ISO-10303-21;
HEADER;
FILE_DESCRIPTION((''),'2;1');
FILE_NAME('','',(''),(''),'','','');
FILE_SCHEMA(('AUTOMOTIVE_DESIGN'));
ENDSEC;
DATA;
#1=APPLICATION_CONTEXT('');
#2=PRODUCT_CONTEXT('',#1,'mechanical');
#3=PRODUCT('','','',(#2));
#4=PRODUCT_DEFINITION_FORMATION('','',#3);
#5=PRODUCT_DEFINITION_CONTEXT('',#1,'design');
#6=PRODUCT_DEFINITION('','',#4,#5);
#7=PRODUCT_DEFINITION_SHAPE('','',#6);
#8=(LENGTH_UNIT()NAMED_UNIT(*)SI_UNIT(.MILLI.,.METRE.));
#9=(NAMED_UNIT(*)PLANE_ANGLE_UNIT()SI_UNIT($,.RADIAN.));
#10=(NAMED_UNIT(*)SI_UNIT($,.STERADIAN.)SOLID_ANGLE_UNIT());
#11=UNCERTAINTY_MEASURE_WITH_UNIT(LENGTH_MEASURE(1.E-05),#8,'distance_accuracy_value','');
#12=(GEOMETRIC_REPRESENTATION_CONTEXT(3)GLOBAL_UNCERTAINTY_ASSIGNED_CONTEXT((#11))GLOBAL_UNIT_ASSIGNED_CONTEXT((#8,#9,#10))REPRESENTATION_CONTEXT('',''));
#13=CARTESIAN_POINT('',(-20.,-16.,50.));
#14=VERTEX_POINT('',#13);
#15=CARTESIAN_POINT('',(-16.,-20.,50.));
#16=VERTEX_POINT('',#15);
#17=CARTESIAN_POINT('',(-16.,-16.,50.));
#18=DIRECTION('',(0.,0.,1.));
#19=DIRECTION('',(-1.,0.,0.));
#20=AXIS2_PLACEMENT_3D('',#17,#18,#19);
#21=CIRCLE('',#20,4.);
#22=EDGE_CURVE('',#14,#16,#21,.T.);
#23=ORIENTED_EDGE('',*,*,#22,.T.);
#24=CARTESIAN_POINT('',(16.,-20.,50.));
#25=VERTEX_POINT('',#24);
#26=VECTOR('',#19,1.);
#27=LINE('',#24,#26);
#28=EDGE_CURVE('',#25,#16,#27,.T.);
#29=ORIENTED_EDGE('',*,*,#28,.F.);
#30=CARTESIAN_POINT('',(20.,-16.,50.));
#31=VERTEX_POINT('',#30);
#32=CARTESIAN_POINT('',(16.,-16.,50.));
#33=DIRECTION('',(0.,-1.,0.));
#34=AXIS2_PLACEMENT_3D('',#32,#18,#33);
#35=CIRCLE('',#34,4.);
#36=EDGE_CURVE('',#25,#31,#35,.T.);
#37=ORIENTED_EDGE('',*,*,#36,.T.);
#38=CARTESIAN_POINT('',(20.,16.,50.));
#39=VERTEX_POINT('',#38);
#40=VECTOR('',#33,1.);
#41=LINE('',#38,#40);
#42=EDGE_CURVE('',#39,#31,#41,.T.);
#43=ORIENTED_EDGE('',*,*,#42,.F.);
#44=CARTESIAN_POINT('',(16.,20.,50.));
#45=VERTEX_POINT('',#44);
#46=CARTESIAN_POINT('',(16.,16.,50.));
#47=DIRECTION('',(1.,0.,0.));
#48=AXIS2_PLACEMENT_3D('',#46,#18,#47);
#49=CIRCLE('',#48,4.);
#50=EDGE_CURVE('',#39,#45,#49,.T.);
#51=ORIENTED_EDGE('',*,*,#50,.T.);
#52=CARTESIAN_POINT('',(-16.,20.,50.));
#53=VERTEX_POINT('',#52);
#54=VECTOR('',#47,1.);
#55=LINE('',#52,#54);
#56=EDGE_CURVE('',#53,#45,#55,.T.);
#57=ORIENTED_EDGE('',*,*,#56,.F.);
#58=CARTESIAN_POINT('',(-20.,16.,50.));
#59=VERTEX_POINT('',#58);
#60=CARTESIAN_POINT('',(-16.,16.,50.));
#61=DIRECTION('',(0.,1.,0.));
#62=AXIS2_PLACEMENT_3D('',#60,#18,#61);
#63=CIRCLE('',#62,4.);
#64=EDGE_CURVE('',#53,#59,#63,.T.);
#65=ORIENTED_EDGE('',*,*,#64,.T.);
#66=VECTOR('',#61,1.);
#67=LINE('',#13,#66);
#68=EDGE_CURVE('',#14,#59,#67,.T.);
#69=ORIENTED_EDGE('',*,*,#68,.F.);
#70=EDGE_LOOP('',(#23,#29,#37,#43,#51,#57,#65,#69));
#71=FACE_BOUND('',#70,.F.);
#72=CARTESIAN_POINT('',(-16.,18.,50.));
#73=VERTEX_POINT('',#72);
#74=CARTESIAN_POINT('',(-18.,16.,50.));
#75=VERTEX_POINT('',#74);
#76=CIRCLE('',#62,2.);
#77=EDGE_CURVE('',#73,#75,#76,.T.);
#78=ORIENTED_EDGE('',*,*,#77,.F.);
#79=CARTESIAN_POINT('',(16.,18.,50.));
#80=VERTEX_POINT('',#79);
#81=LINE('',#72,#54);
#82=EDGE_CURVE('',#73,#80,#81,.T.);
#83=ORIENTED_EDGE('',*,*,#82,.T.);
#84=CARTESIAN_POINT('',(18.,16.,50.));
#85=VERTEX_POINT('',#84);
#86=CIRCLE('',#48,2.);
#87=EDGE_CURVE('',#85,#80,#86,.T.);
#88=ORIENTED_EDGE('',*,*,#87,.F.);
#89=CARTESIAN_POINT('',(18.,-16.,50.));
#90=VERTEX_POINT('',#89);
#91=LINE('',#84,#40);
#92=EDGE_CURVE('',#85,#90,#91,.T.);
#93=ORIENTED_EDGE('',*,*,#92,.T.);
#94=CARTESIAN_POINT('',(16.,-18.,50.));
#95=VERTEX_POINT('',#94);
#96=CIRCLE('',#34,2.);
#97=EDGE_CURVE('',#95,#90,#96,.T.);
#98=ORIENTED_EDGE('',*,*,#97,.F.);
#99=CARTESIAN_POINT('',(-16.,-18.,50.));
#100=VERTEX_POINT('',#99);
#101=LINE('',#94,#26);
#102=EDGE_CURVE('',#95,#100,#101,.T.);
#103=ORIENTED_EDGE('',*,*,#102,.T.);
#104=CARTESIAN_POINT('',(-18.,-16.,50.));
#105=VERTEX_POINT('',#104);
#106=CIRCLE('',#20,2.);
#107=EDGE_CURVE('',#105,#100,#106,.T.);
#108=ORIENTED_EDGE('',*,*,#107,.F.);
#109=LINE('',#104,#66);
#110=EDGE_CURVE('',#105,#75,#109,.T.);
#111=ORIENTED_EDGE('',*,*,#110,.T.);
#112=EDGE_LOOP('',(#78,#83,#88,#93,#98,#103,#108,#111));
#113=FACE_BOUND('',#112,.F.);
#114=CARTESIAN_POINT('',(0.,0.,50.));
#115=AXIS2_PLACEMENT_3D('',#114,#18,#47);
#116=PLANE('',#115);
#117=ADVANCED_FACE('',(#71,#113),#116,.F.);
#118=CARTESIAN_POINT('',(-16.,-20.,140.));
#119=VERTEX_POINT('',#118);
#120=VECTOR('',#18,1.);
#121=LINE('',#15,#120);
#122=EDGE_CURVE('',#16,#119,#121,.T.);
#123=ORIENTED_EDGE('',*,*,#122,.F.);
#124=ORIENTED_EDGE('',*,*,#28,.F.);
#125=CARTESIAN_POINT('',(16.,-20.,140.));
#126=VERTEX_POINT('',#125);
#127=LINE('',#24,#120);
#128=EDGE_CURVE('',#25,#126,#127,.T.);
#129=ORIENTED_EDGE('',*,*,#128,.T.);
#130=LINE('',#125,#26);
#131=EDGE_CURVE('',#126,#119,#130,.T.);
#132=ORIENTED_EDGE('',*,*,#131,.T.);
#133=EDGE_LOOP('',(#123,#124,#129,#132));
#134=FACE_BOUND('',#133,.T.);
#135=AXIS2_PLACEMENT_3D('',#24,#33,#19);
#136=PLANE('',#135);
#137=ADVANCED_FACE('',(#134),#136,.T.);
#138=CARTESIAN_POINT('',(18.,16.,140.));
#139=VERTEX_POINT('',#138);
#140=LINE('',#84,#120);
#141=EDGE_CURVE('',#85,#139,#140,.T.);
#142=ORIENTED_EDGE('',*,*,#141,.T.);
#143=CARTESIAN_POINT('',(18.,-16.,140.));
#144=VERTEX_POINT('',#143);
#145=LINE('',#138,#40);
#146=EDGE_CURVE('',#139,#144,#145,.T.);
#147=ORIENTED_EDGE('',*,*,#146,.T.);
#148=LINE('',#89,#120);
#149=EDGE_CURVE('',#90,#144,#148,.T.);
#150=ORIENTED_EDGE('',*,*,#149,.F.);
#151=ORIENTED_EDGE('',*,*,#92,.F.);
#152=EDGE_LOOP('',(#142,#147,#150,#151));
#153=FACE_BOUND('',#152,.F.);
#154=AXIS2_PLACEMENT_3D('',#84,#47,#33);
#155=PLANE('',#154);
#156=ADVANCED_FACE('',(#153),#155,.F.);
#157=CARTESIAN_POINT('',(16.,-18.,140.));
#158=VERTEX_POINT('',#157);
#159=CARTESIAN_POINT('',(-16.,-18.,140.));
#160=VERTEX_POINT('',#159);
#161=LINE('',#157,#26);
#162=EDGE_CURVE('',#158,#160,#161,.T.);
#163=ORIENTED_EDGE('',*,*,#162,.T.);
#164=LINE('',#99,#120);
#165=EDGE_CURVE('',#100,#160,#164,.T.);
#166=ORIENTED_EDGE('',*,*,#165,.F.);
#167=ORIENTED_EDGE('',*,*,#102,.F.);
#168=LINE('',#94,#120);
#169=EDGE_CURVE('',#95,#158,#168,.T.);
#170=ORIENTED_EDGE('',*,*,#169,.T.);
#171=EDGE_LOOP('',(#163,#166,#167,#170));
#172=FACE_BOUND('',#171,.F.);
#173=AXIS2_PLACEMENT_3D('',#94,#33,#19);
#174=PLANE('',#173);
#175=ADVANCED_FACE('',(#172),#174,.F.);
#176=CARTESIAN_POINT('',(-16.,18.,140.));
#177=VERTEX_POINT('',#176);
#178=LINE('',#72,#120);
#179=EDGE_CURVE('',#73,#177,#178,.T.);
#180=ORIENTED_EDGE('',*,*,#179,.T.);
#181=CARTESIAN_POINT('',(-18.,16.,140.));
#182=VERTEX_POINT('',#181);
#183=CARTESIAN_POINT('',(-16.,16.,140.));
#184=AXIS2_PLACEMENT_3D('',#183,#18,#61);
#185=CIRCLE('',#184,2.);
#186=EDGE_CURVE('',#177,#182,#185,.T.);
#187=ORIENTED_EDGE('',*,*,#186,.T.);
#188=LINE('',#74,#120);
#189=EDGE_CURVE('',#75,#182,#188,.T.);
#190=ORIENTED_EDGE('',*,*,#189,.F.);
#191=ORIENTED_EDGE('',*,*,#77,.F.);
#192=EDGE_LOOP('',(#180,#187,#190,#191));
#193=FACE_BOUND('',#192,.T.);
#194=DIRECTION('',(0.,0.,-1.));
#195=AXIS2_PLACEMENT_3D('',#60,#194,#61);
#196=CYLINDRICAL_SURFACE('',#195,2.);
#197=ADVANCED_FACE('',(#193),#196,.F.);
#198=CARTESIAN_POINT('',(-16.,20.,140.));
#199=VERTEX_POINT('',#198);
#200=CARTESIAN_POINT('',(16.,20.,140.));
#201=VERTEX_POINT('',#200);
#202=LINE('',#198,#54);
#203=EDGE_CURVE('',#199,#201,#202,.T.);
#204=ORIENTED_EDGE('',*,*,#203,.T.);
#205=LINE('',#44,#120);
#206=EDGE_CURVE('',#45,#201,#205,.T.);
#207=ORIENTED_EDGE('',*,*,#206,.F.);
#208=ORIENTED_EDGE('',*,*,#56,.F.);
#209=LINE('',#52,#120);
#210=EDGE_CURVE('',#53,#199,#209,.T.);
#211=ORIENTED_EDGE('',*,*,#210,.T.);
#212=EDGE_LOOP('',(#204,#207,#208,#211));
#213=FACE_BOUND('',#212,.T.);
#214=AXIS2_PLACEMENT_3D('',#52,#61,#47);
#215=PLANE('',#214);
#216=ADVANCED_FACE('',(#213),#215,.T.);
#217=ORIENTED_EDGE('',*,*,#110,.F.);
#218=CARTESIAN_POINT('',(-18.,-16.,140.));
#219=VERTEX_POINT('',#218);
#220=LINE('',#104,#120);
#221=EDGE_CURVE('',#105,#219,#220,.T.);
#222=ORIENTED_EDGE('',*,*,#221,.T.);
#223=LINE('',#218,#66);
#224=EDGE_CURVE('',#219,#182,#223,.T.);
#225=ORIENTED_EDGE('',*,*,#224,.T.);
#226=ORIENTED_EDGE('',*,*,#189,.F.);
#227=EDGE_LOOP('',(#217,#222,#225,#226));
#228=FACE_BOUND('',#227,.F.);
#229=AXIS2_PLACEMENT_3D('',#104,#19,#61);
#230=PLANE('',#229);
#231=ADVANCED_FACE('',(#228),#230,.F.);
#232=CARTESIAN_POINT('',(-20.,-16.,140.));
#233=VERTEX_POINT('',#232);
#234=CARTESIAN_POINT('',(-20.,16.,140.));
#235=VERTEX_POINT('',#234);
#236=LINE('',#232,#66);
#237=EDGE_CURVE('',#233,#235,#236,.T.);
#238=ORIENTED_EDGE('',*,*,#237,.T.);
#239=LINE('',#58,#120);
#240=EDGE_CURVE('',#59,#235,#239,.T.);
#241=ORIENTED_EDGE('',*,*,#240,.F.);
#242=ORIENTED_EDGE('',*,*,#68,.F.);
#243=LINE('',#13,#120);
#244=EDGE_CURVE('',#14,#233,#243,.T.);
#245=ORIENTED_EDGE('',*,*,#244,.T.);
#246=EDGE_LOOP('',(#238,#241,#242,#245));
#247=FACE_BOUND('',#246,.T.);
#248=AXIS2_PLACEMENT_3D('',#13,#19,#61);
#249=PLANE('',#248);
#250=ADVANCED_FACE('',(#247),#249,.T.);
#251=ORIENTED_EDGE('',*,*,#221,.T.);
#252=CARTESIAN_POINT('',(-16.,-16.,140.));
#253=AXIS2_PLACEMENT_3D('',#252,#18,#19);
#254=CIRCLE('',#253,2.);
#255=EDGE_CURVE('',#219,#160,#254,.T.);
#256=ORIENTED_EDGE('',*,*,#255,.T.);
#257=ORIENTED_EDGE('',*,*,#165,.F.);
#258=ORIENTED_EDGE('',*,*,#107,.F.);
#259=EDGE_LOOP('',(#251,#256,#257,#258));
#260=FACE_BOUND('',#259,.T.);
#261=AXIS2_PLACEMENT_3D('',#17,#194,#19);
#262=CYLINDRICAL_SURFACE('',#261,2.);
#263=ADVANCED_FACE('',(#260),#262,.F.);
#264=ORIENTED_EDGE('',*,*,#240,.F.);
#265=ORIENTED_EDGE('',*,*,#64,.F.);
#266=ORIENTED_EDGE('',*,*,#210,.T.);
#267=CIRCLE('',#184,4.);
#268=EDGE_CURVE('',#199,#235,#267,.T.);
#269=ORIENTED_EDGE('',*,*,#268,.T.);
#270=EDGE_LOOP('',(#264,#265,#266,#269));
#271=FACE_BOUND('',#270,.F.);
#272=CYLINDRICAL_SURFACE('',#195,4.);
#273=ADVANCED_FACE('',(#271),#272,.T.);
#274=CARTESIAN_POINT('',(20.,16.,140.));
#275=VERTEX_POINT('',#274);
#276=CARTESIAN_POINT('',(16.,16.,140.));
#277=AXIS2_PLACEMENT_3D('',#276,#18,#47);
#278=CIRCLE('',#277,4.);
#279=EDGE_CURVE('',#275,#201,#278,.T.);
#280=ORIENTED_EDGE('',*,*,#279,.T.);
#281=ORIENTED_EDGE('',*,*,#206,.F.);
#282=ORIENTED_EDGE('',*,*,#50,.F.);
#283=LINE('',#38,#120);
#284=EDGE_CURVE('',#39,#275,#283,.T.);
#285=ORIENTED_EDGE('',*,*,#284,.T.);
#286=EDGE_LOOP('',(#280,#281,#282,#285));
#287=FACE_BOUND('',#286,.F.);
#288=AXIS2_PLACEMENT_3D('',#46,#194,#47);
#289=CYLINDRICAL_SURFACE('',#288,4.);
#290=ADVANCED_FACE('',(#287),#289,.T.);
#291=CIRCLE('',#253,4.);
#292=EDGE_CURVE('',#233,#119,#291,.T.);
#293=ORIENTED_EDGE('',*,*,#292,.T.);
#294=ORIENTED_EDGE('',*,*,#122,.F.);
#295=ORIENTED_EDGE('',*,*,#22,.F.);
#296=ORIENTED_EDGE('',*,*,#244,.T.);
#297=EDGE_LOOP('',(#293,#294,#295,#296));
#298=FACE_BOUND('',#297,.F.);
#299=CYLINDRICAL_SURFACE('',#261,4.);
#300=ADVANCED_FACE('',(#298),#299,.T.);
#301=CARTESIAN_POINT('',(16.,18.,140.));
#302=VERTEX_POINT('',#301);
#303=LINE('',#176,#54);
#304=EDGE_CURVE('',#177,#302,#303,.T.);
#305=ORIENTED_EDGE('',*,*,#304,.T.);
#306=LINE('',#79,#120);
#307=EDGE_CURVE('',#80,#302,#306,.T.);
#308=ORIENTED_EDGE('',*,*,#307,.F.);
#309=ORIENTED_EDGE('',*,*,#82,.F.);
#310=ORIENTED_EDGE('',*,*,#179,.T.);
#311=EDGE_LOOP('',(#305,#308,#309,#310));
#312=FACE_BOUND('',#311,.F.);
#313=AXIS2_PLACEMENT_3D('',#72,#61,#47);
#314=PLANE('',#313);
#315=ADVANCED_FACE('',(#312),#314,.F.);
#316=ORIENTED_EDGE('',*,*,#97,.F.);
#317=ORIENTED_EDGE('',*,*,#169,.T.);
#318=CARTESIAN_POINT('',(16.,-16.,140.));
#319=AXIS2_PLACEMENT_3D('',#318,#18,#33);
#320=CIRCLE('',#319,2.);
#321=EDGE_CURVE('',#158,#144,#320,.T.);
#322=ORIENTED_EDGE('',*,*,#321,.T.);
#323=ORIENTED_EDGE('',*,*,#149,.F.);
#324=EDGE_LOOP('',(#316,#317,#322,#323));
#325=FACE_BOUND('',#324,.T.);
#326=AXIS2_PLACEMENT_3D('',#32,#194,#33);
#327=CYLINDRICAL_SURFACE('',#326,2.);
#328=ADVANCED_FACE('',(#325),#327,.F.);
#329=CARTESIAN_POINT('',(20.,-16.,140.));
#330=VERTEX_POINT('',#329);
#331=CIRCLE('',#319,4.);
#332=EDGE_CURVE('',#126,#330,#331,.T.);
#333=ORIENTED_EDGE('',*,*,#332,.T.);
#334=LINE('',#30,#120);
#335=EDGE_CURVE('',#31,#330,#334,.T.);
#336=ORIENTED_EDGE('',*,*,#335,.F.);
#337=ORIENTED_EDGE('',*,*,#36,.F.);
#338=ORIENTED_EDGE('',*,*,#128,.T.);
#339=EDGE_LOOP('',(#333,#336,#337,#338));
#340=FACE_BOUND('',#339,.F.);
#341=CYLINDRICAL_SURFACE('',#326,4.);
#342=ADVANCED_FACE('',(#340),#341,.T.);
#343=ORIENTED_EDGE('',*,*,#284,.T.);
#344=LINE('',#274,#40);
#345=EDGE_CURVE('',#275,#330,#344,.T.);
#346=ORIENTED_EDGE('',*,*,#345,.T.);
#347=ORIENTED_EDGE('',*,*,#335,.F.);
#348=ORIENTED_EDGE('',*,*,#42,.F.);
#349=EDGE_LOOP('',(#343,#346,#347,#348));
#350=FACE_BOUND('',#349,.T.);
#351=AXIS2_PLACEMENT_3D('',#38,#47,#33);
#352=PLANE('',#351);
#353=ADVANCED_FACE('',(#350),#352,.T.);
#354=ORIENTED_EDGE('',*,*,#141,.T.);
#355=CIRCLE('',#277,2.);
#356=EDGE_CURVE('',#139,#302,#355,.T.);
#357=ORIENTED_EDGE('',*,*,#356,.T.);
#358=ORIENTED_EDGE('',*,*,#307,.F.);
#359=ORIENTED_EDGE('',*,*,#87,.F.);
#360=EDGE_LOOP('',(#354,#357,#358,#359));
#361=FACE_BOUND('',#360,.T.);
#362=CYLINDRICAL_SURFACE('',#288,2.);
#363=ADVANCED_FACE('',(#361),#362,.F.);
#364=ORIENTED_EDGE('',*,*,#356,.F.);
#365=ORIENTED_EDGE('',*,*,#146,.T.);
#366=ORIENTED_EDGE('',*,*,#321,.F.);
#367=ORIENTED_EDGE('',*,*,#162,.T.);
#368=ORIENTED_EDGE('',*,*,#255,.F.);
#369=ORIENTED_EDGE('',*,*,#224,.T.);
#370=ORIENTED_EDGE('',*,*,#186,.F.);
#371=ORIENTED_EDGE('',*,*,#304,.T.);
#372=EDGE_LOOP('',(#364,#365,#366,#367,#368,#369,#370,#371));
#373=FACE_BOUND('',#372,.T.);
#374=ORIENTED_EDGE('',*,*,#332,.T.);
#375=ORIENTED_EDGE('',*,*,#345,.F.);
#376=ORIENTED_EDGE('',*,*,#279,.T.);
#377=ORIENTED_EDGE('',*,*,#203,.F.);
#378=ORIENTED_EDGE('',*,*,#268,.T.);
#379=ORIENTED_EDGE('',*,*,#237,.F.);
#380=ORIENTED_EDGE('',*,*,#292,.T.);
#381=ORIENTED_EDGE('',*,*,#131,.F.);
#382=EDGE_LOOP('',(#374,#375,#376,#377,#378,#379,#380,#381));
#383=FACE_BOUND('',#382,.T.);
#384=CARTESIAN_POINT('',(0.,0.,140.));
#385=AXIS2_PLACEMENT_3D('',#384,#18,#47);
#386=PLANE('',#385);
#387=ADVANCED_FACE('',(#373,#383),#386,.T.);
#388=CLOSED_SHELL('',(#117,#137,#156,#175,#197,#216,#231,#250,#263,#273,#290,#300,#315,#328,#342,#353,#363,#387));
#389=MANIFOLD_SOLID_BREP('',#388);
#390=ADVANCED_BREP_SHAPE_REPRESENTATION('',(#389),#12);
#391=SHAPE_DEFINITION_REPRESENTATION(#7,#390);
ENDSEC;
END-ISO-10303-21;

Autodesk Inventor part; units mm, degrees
ref_plane "YZ Plane" through (0, 0, 0) normal (1, 0, 0) x (0, 1, 0)
ref_plane "Start Plane" through (0, 0, 50) normal (0, 0, 1) x (1, 0, 0)
ref_plane "End Plane" through (0, 0, 140) normal (0, 0, 1) x (1, 0, 0)
sketch "Sketch" plane through (0, 0, 0) normal (0, 0, 1) x (1, 0, 0)
  line L0 (-20, -16) -> (-20, 16)
  line L1 (-16, 20) -> (16, 20)
  line L2 (20, 16) -> (20, -16)
  line L3 (16, -20) -> (-16, -20)
  arc A0 (-20, -16) -> (-16, -20) centre (-16, -16) ccw
  arc A1 (20, 16) -> (16, 20) centre (16, 16) ccw
  arc A2 (-16, 20) -> (-20, 16) centre (-16, 16) ccw
  arc A3 (16, -20) -> (20, -16) centre (16, -16) ccw
  arc A4 (-16, 18) -> (-18, 16) centre (-16, 16) ccw
  line L4 (-16, 18) -> (16, 18)
  arc A5 (18, 16) -> (16, 18) centre (16, 16) ccw
  line L5 (18, 16) -> (18, -16)
  arc A6 (16, -18) -> (18, -16) centre (16, -16) ccw
  line L6 (16, -18) -> (-16, -18)
  arc A7 (-18, -16) -> (-16, -18) centre (-16, -16) ccw
  line L7 (-18, -16) -> (-18, 16)
  line L8 (0, 29.1598) -> (0, -29.1598) construction
  line L9 (-29.1598, 0) -> (29.1598, 0) construction
  dimension "d7" = 4
  dimension "d9" = 40
  dimension "d11" = 40
  dimension "d12" = 2
  dimension "d15" = 20
  dimension "d16" = 20
extrude "Body" add sketch "Sketch" along normal up to surface (90 mm away) from surface at 50
sketch "Sketch3" plane through (0, 0, 0) normal (0, 0, 1) x (1, 0, 0)
  line L0 (0, 0) -> (10, 0)
ref_plane "Work Plane3" through (0, 0, 0) normal (0, -1, 0) x (1, 0, 0)
sketch "Sketch4" plane through (0, 0, 0) normal (0, -1, 0) x (1, 0, 0)
  line L0 (-2, 50) -> (12, 50) projected
  line L1 (-2, 140) -> (12, 140) projected
  dimension "d18" = 90
equation "\"d7\" = G_IR"
equation "\"d9\" = G_W"
equation "\"d11\" = G_H"
equation "\"d12\" = G_T"
equation "\"d15\" = 0.5 * d9"
equation "\"d16\" = 0.5 * d11"
equation "\"d3\" = G_L"
equation "\"G_W\" = 40"
equation "\"G_H\" = 40"
equation "\"G_T\" = 2"
equation "\"G_IR\" = 4"
equation "\"G_L\" = d18"
equation "\"G_OFFSET_END\" = 0"
properties part number "ISO 10799-2 - 40x40x2 - 90" material "Stainless Steel"
